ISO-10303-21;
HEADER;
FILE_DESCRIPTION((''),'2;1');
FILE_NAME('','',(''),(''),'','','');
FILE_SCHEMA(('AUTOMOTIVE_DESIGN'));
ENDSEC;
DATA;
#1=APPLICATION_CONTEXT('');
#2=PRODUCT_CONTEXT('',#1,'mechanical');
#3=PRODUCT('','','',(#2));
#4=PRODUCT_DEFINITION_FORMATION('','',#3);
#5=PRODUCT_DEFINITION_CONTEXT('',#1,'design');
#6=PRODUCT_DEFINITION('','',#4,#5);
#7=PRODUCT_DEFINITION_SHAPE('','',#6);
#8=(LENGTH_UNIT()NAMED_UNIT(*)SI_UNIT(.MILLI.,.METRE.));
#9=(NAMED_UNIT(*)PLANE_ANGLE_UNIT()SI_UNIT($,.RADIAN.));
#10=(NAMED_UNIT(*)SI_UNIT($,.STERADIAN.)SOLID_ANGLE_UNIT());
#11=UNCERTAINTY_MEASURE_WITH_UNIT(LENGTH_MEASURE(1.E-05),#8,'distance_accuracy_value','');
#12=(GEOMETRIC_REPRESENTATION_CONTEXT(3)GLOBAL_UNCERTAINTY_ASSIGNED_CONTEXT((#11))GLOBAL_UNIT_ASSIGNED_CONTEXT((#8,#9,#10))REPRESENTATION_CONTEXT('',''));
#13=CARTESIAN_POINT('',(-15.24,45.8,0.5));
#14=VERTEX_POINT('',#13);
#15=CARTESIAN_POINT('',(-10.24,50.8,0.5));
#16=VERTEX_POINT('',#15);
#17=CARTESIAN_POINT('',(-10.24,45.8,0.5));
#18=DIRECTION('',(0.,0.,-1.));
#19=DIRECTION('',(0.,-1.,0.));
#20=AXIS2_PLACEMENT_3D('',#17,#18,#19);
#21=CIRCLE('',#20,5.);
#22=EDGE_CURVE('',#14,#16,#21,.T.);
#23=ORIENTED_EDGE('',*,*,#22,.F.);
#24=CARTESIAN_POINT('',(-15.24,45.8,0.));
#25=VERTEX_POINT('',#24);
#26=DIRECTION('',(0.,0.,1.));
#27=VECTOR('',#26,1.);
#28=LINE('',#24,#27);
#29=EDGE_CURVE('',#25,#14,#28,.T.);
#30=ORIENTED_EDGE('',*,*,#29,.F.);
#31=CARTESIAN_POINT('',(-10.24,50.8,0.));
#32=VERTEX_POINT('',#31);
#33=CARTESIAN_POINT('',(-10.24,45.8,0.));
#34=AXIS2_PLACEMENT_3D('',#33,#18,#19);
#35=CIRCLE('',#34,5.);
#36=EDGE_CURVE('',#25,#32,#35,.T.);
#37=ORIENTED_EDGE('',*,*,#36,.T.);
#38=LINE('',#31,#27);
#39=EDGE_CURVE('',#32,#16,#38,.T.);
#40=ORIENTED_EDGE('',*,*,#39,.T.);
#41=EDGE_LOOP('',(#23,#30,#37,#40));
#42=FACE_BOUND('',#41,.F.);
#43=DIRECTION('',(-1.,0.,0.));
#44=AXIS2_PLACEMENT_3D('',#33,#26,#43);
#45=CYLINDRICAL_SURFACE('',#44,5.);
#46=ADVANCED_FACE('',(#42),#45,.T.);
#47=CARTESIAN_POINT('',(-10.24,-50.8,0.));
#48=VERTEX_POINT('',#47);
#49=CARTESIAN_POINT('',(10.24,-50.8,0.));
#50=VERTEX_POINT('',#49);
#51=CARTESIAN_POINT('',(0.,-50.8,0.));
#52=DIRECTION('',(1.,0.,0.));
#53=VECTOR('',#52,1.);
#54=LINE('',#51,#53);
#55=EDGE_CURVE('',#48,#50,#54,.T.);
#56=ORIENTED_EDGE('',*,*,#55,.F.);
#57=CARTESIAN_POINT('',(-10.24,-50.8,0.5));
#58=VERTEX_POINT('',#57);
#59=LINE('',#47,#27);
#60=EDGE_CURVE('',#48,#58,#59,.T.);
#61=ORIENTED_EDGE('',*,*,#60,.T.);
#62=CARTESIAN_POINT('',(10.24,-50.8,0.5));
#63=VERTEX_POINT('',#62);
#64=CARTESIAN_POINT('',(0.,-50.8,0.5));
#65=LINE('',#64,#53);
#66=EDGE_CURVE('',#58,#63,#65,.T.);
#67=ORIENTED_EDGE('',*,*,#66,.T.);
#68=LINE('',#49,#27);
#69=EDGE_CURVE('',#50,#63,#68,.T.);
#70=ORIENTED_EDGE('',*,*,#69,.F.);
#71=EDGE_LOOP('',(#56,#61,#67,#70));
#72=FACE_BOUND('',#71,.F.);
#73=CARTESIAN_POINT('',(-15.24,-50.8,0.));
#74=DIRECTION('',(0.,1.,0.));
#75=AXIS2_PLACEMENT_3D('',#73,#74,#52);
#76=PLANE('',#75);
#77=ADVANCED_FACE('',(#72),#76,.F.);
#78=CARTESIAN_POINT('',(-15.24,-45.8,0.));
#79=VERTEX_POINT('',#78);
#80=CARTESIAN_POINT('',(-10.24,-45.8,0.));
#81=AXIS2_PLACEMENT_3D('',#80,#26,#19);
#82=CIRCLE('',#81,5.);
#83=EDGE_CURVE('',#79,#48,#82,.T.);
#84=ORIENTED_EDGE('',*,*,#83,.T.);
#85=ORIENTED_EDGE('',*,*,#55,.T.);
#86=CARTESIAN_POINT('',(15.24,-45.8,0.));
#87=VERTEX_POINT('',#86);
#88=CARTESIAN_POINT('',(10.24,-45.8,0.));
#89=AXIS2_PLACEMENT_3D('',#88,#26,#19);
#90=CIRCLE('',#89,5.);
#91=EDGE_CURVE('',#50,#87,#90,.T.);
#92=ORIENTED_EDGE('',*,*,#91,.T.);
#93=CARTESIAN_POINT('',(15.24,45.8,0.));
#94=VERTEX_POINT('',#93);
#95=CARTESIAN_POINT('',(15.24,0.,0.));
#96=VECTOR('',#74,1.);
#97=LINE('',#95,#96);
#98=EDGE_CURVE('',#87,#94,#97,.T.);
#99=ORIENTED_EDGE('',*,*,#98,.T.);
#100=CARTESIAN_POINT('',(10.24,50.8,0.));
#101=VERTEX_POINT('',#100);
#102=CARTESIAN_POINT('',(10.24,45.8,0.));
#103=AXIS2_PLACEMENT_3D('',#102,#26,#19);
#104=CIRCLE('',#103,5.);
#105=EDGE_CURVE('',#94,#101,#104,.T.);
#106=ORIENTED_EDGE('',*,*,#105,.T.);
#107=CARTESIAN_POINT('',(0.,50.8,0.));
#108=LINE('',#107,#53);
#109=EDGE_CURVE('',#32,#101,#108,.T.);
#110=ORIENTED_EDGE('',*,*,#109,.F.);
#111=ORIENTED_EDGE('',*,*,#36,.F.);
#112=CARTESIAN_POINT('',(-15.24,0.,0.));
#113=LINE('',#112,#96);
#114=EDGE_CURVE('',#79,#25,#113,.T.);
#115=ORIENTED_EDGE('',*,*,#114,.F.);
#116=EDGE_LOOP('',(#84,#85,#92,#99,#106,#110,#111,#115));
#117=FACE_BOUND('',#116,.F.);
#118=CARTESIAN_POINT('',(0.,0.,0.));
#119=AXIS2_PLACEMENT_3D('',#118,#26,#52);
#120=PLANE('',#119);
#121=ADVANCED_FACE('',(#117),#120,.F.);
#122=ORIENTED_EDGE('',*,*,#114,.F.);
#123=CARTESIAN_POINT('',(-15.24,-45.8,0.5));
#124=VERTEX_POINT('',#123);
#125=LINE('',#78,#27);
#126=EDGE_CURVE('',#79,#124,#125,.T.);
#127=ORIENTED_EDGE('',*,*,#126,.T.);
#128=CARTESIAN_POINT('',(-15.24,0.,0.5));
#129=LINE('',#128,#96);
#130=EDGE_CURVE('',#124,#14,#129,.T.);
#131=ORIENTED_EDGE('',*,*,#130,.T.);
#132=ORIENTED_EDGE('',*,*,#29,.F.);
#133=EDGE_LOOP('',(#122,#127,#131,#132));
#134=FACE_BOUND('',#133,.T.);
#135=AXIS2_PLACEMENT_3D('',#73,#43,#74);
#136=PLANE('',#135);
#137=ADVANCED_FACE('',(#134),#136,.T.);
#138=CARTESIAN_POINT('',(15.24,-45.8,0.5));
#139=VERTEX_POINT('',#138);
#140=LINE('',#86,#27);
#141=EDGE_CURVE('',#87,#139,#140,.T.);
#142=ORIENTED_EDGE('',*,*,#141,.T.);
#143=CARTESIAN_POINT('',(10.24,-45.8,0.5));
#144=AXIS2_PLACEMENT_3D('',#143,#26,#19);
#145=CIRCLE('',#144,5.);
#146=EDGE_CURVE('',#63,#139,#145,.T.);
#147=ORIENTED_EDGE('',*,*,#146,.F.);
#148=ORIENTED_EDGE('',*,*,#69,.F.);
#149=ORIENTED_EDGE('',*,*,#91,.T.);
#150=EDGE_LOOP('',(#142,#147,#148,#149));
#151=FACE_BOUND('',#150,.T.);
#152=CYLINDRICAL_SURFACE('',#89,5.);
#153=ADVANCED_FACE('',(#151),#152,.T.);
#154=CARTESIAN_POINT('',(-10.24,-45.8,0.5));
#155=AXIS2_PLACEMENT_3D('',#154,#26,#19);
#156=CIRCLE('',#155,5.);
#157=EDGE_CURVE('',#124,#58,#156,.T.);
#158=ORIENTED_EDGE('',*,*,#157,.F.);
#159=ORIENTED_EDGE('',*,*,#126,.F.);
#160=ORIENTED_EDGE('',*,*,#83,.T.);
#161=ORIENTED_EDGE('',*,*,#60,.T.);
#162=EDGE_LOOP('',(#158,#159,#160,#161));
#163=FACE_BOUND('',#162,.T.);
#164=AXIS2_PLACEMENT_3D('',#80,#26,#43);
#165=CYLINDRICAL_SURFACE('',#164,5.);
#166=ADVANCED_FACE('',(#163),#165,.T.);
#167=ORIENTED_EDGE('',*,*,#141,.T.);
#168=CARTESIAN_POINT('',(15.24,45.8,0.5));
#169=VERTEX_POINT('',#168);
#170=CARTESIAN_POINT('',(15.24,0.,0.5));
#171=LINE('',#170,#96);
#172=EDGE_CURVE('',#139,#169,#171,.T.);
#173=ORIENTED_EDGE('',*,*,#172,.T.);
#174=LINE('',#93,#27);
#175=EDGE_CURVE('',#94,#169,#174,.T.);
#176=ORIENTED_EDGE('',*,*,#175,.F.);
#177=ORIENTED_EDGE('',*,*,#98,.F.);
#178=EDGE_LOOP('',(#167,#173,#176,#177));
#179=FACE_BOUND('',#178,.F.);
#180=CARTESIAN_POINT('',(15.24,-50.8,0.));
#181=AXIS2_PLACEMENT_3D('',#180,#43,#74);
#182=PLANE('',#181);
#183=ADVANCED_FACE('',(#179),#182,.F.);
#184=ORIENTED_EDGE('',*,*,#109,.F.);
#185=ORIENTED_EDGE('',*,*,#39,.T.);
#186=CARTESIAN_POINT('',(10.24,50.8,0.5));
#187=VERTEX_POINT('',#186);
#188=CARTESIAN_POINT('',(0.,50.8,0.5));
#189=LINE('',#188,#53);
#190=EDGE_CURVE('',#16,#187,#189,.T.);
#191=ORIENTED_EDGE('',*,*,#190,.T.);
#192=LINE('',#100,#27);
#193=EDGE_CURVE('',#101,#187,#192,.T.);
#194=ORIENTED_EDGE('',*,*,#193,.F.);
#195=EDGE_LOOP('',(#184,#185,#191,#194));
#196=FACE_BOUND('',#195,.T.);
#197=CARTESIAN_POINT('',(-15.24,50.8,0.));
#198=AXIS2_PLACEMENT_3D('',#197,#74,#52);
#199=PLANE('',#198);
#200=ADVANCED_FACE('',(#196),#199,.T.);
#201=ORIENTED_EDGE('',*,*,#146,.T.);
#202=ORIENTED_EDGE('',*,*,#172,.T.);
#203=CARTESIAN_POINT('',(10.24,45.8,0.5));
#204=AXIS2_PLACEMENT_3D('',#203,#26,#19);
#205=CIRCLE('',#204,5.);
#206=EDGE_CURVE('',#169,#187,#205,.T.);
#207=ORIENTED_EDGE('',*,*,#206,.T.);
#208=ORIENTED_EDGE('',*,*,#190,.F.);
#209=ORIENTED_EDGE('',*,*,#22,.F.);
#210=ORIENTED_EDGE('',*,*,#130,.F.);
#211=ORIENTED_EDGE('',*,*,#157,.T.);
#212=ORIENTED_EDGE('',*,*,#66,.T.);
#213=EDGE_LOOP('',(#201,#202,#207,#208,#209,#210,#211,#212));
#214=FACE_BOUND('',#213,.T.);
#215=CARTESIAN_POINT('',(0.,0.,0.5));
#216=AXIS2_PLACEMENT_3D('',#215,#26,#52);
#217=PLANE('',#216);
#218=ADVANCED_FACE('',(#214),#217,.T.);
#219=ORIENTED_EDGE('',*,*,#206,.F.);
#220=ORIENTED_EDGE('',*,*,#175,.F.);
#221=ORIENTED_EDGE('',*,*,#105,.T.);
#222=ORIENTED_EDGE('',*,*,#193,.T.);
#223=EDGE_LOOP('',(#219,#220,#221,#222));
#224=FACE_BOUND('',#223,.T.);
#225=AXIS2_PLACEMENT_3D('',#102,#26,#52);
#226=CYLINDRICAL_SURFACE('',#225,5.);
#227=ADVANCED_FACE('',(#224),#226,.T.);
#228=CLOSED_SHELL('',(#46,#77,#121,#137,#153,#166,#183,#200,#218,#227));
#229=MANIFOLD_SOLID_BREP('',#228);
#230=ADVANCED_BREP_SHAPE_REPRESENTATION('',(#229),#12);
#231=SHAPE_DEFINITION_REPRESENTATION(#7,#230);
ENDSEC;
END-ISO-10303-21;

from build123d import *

# Parameters (mm, degrees)
F0_W     = 30.48
F0_H     = 101.6
F1_DEPTH = 0.5
F2_R     = 5
F4_R     = 12.6
F5_DEPTH = 0.5


with BuildPart() as f1:
    # F0 (on Top) → F1 (new body)
    with BuildSketch(Plane.XY):
        Rectangle(F0_W, F0_H)
    extrude(amount=F1_DEPTH)

    # F2
    f2_edges = [f1.edges().sort_by_distance(p)[0] for p in [
        (15.24, -50.8, 0.25),
        (-15.24, -50.8, 0.25),
        (-15.24, 50.8, 0.25),
        (15.24, 50.8, 0.25),
    ]]
    fillet(f2_edges, radius=F2_R)


with BuildPart() as f5:
    # F4 (on offset) → F5 (new body)
    with BuildSketch(Plane.XY.offset(25.5)):
        Circle(F4_R)
    extrude(amount=F5_DEPTH)


solid = f1.part
